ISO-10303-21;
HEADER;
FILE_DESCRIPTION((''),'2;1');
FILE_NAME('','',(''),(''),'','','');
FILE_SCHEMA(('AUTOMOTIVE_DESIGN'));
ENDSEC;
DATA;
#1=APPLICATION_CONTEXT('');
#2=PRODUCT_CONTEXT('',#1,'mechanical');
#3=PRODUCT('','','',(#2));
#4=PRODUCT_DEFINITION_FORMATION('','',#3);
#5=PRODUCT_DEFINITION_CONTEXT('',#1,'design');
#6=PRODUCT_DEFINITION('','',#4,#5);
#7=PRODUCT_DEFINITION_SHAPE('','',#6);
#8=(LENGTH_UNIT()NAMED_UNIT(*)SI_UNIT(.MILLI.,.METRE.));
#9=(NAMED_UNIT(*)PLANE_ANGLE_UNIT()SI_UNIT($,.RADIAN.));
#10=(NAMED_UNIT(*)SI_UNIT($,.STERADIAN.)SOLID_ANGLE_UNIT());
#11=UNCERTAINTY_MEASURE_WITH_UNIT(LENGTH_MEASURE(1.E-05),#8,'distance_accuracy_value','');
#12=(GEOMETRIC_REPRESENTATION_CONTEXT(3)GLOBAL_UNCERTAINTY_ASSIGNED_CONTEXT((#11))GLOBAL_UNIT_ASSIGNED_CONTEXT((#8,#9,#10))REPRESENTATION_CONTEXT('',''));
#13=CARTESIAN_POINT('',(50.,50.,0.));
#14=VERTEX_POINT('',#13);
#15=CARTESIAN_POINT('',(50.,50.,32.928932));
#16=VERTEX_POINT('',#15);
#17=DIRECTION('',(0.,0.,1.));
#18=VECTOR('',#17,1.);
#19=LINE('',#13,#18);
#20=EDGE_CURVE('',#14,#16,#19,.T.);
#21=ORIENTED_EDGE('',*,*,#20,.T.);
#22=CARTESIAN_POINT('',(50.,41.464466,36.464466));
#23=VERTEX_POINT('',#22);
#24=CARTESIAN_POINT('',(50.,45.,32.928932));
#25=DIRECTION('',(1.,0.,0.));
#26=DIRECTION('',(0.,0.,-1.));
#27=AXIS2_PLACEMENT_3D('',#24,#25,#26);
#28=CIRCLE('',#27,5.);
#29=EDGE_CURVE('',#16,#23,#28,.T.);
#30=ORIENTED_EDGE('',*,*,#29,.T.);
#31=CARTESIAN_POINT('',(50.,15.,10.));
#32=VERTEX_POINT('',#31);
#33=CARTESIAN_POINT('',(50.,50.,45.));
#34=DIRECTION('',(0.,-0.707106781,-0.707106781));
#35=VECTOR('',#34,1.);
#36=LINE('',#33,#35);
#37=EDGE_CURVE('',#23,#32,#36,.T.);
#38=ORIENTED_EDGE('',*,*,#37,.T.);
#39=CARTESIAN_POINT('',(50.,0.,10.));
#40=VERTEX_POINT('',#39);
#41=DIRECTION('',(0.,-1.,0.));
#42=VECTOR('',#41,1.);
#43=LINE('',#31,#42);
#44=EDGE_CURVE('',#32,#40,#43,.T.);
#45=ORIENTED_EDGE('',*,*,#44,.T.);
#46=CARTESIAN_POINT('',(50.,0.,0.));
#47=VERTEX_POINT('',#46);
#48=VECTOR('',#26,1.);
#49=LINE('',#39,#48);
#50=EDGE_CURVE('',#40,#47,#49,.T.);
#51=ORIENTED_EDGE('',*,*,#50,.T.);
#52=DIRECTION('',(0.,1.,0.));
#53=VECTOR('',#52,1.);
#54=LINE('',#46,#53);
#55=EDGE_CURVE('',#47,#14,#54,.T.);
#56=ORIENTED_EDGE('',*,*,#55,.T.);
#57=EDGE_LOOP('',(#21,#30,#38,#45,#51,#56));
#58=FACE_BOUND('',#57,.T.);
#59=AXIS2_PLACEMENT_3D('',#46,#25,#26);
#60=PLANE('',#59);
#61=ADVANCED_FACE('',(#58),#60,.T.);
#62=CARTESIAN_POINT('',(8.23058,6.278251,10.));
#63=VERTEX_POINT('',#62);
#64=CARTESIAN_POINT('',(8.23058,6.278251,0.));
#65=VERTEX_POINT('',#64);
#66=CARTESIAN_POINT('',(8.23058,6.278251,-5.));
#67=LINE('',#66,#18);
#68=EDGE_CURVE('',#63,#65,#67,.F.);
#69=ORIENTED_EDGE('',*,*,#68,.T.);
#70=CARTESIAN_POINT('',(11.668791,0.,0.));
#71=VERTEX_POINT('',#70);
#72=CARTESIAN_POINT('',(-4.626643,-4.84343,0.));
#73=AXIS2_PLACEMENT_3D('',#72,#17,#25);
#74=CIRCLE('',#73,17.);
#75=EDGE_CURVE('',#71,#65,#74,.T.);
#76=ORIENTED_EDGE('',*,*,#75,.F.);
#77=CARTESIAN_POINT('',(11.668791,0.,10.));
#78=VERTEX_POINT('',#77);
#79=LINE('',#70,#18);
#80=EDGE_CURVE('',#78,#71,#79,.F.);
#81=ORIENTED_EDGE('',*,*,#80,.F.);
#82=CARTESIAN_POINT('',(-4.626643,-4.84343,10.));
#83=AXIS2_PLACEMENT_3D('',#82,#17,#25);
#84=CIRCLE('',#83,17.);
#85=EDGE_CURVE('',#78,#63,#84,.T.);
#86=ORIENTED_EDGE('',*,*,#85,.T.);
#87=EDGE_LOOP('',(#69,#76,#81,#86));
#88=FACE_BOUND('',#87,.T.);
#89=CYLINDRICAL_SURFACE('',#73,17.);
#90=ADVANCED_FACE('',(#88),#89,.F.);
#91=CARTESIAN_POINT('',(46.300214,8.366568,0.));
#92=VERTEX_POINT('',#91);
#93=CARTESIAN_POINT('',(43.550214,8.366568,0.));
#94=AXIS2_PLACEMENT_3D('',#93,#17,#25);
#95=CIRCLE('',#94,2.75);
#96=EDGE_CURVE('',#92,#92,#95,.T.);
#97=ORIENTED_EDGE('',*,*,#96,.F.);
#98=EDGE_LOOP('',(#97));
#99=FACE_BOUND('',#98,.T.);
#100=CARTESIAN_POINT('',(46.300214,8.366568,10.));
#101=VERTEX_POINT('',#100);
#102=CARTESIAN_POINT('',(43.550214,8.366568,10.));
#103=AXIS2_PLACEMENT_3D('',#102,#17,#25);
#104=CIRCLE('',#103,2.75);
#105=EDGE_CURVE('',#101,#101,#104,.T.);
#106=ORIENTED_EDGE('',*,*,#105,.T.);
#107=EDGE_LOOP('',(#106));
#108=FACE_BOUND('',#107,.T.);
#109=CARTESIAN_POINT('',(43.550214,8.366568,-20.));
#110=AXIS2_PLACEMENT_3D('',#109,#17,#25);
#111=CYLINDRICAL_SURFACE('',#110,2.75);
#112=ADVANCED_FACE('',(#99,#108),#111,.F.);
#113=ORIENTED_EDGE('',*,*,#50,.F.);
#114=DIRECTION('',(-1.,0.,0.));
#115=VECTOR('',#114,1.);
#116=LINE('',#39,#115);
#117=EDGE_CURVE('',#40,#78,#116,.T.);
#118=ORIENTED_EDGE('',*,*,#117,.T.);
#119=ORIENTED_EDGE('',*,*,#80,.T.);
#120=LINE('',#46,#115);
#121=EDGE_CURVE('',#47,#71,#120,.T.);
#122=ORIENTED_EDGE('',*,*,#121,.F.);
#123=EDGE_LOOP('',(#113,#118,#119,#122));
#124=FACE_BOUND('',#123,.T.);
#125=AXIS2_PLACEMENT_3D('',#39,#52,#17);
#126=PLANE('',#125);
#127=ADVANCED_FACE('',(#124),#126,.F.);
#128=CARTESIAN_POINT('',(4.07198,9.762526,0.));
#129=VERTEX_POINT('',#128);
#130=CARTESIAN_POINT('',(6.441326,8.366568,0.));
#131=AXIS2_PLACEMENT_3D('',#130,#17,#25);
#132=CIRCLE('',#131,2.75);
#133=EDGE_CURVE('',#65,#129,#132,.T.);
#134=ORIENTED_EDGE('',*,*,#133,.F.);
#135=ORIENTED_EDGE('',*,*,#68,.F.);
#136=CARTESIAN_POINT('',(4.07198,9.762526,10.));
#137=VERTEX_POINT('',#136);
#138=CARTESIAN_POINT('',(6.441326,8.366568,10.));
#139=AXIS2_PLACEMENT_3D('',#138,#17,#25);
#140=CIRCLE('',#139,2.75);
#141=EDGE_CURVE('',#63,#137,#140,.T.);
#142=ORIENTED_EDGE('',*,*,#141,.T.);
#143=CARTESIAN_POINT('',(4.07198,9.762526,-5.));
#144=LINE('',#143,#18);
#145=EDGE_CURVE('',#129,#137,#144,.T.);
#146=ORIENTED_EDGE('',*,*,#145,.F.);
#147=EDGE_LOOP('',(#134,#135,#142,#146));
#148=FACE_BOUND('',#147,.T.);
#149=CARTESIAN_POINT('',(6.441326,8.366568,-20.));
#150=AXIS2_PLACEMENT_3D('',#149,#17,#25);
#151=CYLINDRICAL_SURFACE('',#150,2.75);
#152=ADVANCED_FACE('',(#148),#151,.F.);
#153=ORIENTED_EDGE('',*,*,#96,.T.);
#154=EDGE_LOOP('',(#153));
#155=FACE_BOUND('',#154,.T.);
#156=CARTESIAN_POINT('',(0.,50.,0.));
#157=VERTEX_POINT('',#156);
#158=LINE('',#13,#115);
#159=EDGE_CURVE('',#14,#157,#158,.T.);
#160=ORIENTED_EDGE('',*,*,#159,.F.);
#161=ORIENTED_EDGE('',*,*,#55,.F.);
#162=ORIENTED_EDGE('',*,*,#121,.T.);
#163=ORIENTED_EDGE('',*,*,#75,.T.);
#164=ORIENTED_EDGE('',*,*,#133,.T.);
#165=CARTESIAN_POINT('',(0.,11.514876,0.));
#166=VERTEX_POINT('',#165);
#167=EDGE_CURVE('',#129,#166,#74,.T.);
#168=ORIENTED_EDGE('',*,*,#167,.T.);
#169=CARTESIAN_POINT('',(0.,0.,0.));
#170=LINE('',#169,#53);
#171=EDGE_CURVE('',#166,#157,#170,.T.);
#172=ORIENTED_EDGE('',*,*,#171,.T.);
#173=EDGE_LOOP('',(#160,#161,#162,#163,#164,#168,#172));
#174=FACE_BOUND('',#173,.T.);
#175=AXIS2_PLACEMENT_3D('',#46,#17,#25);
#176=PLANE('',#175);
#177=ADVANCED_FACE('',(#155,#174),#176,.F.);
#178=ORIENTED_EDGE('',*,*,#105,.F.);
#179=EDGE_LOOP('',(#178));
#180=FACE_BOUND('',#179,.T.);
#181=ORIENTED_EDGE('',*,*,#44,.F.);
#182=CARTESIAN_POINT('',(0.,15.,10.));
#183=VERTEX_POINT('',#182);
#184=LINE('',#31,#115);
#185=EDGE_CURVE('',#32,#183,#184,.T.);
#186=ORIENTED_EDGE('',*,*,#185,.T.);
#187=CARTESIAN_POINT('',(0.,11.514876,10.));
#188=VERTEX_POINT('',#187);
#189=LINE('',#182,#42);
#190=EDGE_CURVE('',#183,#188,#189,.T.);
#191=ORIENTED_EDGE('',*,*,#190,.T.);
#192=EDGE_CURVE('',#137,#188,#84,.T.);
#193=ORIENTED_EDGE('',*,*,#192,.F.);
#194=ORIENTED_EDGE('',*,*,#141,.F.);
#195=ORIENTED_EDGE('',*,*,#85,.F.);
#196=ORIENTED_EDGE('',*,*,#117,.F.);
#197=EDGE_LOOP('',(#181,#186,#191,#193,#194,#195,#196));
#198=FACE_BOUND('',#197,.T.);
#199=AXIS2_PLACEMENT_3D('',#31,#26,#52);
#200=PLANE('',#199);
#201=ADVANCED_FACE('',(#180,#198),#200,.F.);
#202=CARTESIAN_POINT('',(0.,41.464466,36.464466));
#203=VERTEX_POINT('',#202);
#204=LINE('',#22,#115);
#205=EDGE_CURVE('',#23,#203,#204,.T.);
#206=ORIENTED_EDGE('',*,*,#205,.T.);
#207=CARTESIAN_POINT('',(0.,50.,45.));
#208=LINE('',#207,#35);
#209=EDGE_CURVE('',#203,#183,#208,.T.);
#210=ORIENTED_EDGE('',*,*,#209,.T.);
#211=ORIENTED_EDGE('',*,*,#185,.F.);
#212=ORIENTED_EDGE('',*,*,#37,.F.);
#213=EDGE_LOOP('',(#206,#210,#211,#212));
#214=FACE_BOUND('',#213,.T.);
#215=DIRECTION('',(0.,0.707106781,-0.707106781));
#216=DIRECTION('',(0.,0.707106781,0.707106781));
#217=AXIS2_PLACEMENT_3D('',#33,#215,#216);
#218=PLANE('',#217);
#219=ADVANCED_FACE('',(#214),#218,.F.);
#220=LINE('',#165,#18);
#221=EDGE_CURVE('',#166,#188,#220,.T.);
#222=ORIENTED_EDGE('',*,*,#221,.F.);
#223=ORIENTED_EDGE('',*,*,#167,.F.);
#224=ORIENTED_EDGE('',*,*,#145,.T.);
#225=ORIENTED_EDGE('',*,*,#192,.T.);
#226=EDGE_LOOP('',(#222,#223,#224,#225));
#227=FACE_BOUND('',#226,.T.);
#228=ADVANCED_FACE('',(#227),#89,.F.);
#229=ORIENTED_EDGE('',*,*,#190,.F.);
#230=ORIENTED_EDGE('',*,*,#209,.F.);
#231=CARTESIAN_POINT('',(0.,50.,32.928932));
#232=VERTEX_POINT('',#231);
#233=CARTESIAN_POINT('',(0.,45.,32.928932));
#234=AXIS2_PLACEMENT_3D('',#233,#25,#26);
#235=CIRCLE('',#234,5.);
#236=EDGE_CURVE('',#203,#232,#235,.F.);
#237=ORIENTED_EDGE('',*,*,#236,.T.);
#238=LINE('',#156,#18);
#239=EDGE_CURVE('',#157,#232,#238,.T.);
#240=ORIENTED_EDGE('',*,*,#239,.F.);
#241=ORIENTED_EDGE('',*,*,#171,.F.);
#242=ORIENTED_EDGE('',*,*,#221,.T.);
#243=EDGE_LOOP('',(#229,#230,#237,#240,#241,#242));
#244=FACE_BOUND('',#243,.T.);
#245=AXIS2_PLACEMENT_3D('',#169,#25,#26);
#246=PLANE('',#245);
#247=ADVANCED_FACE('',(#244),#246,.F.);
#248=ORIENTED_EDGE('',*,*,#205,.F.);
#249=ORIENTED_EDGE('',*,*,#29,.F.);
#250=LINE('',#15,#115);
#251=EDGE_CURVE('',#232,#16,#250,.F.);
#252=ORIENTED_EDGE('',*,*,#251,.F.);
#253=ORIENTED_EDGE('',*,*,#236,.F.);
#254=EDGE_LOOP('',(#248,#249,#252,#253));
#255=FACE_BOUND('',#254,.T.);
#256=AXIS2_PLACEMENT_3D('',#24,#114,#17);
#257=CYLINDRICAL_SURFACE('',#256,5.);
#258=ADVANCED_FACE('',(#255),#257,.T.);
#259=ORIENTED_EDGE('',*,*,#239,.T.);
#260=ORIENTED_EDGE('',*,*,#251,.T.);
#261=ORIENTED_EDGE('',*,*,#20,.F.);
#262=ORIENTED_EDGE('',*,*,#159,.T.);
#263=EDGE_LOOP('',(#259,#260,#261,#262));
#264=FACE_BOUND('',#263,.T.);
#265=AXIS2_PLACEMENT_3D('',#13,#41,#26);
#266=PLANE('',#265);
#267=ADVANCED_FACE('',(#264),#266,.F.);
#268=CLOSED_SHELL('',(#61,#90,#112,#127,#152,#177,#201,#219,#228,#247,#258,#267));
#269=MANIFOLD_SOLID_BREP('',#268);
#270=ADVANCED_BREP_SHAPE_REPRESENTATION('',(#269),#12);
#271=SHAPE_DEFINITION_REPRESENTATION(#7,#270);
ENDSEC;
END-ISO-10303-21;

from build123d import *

# Parameters (mm, degrees)
BOSS_EXTRUDE1_DEPTH = 50
SKETCH3_R           = 17
CUT_EXTRUDE1_DEPTH  = 10
SKETCH4_R           = 2.75
CUT_EXTRUDE2_DEPTH  = 30
FILLET1_R           = 5


with BuildPart() as part:
    # Sketch2 → Boss-Extrude1 (new body)
    with BuildSketch(Plane(origin=(0, 0, 0), x_dir=(0, 0, -1), z_dir=(1, 0, 0))):
        Polygon((0, 0), (0, 50), (-45, 50), (-10, 15), (-10, 0), align=None)
    extrude(amount=BOSS_EXTRUDE1_DEPTH)

    # Sketch3 → Cut-Extrude1 (cut)
    with BuildSketch(Plane.XY.offset(10)):
        with Locations((-4.626643485, -4.843430201)):
            Circle(SKETCH3_R)
    extrude(amount=-CUT_EXTRUDE1_DEPTH, mode=Mode.SUBTRACT)

    # Sketch4 → Cut-Extrude2 (cut)
    with BuildSketch(Plane.XY.offset(10)):
        with Locations((6.441325863, 8.36656836)):
            Circle(SKETCH4_R)
        with Locations((43.550213874, 8.36656836)):
            Circle(SKETCH4_R)
    extrude(amount=-CUT_EXTRUDE2_DEPTH, mode=Mode.SUBTRACT)

    # Fillet1
    fillet1_edges = [part.edges().sort_by_distance(p)[0] for p in [
        (25, 50, 45),
    ]]
    fillet(fillet1_edges, radius=FILLET1_R)


solid = part.part
